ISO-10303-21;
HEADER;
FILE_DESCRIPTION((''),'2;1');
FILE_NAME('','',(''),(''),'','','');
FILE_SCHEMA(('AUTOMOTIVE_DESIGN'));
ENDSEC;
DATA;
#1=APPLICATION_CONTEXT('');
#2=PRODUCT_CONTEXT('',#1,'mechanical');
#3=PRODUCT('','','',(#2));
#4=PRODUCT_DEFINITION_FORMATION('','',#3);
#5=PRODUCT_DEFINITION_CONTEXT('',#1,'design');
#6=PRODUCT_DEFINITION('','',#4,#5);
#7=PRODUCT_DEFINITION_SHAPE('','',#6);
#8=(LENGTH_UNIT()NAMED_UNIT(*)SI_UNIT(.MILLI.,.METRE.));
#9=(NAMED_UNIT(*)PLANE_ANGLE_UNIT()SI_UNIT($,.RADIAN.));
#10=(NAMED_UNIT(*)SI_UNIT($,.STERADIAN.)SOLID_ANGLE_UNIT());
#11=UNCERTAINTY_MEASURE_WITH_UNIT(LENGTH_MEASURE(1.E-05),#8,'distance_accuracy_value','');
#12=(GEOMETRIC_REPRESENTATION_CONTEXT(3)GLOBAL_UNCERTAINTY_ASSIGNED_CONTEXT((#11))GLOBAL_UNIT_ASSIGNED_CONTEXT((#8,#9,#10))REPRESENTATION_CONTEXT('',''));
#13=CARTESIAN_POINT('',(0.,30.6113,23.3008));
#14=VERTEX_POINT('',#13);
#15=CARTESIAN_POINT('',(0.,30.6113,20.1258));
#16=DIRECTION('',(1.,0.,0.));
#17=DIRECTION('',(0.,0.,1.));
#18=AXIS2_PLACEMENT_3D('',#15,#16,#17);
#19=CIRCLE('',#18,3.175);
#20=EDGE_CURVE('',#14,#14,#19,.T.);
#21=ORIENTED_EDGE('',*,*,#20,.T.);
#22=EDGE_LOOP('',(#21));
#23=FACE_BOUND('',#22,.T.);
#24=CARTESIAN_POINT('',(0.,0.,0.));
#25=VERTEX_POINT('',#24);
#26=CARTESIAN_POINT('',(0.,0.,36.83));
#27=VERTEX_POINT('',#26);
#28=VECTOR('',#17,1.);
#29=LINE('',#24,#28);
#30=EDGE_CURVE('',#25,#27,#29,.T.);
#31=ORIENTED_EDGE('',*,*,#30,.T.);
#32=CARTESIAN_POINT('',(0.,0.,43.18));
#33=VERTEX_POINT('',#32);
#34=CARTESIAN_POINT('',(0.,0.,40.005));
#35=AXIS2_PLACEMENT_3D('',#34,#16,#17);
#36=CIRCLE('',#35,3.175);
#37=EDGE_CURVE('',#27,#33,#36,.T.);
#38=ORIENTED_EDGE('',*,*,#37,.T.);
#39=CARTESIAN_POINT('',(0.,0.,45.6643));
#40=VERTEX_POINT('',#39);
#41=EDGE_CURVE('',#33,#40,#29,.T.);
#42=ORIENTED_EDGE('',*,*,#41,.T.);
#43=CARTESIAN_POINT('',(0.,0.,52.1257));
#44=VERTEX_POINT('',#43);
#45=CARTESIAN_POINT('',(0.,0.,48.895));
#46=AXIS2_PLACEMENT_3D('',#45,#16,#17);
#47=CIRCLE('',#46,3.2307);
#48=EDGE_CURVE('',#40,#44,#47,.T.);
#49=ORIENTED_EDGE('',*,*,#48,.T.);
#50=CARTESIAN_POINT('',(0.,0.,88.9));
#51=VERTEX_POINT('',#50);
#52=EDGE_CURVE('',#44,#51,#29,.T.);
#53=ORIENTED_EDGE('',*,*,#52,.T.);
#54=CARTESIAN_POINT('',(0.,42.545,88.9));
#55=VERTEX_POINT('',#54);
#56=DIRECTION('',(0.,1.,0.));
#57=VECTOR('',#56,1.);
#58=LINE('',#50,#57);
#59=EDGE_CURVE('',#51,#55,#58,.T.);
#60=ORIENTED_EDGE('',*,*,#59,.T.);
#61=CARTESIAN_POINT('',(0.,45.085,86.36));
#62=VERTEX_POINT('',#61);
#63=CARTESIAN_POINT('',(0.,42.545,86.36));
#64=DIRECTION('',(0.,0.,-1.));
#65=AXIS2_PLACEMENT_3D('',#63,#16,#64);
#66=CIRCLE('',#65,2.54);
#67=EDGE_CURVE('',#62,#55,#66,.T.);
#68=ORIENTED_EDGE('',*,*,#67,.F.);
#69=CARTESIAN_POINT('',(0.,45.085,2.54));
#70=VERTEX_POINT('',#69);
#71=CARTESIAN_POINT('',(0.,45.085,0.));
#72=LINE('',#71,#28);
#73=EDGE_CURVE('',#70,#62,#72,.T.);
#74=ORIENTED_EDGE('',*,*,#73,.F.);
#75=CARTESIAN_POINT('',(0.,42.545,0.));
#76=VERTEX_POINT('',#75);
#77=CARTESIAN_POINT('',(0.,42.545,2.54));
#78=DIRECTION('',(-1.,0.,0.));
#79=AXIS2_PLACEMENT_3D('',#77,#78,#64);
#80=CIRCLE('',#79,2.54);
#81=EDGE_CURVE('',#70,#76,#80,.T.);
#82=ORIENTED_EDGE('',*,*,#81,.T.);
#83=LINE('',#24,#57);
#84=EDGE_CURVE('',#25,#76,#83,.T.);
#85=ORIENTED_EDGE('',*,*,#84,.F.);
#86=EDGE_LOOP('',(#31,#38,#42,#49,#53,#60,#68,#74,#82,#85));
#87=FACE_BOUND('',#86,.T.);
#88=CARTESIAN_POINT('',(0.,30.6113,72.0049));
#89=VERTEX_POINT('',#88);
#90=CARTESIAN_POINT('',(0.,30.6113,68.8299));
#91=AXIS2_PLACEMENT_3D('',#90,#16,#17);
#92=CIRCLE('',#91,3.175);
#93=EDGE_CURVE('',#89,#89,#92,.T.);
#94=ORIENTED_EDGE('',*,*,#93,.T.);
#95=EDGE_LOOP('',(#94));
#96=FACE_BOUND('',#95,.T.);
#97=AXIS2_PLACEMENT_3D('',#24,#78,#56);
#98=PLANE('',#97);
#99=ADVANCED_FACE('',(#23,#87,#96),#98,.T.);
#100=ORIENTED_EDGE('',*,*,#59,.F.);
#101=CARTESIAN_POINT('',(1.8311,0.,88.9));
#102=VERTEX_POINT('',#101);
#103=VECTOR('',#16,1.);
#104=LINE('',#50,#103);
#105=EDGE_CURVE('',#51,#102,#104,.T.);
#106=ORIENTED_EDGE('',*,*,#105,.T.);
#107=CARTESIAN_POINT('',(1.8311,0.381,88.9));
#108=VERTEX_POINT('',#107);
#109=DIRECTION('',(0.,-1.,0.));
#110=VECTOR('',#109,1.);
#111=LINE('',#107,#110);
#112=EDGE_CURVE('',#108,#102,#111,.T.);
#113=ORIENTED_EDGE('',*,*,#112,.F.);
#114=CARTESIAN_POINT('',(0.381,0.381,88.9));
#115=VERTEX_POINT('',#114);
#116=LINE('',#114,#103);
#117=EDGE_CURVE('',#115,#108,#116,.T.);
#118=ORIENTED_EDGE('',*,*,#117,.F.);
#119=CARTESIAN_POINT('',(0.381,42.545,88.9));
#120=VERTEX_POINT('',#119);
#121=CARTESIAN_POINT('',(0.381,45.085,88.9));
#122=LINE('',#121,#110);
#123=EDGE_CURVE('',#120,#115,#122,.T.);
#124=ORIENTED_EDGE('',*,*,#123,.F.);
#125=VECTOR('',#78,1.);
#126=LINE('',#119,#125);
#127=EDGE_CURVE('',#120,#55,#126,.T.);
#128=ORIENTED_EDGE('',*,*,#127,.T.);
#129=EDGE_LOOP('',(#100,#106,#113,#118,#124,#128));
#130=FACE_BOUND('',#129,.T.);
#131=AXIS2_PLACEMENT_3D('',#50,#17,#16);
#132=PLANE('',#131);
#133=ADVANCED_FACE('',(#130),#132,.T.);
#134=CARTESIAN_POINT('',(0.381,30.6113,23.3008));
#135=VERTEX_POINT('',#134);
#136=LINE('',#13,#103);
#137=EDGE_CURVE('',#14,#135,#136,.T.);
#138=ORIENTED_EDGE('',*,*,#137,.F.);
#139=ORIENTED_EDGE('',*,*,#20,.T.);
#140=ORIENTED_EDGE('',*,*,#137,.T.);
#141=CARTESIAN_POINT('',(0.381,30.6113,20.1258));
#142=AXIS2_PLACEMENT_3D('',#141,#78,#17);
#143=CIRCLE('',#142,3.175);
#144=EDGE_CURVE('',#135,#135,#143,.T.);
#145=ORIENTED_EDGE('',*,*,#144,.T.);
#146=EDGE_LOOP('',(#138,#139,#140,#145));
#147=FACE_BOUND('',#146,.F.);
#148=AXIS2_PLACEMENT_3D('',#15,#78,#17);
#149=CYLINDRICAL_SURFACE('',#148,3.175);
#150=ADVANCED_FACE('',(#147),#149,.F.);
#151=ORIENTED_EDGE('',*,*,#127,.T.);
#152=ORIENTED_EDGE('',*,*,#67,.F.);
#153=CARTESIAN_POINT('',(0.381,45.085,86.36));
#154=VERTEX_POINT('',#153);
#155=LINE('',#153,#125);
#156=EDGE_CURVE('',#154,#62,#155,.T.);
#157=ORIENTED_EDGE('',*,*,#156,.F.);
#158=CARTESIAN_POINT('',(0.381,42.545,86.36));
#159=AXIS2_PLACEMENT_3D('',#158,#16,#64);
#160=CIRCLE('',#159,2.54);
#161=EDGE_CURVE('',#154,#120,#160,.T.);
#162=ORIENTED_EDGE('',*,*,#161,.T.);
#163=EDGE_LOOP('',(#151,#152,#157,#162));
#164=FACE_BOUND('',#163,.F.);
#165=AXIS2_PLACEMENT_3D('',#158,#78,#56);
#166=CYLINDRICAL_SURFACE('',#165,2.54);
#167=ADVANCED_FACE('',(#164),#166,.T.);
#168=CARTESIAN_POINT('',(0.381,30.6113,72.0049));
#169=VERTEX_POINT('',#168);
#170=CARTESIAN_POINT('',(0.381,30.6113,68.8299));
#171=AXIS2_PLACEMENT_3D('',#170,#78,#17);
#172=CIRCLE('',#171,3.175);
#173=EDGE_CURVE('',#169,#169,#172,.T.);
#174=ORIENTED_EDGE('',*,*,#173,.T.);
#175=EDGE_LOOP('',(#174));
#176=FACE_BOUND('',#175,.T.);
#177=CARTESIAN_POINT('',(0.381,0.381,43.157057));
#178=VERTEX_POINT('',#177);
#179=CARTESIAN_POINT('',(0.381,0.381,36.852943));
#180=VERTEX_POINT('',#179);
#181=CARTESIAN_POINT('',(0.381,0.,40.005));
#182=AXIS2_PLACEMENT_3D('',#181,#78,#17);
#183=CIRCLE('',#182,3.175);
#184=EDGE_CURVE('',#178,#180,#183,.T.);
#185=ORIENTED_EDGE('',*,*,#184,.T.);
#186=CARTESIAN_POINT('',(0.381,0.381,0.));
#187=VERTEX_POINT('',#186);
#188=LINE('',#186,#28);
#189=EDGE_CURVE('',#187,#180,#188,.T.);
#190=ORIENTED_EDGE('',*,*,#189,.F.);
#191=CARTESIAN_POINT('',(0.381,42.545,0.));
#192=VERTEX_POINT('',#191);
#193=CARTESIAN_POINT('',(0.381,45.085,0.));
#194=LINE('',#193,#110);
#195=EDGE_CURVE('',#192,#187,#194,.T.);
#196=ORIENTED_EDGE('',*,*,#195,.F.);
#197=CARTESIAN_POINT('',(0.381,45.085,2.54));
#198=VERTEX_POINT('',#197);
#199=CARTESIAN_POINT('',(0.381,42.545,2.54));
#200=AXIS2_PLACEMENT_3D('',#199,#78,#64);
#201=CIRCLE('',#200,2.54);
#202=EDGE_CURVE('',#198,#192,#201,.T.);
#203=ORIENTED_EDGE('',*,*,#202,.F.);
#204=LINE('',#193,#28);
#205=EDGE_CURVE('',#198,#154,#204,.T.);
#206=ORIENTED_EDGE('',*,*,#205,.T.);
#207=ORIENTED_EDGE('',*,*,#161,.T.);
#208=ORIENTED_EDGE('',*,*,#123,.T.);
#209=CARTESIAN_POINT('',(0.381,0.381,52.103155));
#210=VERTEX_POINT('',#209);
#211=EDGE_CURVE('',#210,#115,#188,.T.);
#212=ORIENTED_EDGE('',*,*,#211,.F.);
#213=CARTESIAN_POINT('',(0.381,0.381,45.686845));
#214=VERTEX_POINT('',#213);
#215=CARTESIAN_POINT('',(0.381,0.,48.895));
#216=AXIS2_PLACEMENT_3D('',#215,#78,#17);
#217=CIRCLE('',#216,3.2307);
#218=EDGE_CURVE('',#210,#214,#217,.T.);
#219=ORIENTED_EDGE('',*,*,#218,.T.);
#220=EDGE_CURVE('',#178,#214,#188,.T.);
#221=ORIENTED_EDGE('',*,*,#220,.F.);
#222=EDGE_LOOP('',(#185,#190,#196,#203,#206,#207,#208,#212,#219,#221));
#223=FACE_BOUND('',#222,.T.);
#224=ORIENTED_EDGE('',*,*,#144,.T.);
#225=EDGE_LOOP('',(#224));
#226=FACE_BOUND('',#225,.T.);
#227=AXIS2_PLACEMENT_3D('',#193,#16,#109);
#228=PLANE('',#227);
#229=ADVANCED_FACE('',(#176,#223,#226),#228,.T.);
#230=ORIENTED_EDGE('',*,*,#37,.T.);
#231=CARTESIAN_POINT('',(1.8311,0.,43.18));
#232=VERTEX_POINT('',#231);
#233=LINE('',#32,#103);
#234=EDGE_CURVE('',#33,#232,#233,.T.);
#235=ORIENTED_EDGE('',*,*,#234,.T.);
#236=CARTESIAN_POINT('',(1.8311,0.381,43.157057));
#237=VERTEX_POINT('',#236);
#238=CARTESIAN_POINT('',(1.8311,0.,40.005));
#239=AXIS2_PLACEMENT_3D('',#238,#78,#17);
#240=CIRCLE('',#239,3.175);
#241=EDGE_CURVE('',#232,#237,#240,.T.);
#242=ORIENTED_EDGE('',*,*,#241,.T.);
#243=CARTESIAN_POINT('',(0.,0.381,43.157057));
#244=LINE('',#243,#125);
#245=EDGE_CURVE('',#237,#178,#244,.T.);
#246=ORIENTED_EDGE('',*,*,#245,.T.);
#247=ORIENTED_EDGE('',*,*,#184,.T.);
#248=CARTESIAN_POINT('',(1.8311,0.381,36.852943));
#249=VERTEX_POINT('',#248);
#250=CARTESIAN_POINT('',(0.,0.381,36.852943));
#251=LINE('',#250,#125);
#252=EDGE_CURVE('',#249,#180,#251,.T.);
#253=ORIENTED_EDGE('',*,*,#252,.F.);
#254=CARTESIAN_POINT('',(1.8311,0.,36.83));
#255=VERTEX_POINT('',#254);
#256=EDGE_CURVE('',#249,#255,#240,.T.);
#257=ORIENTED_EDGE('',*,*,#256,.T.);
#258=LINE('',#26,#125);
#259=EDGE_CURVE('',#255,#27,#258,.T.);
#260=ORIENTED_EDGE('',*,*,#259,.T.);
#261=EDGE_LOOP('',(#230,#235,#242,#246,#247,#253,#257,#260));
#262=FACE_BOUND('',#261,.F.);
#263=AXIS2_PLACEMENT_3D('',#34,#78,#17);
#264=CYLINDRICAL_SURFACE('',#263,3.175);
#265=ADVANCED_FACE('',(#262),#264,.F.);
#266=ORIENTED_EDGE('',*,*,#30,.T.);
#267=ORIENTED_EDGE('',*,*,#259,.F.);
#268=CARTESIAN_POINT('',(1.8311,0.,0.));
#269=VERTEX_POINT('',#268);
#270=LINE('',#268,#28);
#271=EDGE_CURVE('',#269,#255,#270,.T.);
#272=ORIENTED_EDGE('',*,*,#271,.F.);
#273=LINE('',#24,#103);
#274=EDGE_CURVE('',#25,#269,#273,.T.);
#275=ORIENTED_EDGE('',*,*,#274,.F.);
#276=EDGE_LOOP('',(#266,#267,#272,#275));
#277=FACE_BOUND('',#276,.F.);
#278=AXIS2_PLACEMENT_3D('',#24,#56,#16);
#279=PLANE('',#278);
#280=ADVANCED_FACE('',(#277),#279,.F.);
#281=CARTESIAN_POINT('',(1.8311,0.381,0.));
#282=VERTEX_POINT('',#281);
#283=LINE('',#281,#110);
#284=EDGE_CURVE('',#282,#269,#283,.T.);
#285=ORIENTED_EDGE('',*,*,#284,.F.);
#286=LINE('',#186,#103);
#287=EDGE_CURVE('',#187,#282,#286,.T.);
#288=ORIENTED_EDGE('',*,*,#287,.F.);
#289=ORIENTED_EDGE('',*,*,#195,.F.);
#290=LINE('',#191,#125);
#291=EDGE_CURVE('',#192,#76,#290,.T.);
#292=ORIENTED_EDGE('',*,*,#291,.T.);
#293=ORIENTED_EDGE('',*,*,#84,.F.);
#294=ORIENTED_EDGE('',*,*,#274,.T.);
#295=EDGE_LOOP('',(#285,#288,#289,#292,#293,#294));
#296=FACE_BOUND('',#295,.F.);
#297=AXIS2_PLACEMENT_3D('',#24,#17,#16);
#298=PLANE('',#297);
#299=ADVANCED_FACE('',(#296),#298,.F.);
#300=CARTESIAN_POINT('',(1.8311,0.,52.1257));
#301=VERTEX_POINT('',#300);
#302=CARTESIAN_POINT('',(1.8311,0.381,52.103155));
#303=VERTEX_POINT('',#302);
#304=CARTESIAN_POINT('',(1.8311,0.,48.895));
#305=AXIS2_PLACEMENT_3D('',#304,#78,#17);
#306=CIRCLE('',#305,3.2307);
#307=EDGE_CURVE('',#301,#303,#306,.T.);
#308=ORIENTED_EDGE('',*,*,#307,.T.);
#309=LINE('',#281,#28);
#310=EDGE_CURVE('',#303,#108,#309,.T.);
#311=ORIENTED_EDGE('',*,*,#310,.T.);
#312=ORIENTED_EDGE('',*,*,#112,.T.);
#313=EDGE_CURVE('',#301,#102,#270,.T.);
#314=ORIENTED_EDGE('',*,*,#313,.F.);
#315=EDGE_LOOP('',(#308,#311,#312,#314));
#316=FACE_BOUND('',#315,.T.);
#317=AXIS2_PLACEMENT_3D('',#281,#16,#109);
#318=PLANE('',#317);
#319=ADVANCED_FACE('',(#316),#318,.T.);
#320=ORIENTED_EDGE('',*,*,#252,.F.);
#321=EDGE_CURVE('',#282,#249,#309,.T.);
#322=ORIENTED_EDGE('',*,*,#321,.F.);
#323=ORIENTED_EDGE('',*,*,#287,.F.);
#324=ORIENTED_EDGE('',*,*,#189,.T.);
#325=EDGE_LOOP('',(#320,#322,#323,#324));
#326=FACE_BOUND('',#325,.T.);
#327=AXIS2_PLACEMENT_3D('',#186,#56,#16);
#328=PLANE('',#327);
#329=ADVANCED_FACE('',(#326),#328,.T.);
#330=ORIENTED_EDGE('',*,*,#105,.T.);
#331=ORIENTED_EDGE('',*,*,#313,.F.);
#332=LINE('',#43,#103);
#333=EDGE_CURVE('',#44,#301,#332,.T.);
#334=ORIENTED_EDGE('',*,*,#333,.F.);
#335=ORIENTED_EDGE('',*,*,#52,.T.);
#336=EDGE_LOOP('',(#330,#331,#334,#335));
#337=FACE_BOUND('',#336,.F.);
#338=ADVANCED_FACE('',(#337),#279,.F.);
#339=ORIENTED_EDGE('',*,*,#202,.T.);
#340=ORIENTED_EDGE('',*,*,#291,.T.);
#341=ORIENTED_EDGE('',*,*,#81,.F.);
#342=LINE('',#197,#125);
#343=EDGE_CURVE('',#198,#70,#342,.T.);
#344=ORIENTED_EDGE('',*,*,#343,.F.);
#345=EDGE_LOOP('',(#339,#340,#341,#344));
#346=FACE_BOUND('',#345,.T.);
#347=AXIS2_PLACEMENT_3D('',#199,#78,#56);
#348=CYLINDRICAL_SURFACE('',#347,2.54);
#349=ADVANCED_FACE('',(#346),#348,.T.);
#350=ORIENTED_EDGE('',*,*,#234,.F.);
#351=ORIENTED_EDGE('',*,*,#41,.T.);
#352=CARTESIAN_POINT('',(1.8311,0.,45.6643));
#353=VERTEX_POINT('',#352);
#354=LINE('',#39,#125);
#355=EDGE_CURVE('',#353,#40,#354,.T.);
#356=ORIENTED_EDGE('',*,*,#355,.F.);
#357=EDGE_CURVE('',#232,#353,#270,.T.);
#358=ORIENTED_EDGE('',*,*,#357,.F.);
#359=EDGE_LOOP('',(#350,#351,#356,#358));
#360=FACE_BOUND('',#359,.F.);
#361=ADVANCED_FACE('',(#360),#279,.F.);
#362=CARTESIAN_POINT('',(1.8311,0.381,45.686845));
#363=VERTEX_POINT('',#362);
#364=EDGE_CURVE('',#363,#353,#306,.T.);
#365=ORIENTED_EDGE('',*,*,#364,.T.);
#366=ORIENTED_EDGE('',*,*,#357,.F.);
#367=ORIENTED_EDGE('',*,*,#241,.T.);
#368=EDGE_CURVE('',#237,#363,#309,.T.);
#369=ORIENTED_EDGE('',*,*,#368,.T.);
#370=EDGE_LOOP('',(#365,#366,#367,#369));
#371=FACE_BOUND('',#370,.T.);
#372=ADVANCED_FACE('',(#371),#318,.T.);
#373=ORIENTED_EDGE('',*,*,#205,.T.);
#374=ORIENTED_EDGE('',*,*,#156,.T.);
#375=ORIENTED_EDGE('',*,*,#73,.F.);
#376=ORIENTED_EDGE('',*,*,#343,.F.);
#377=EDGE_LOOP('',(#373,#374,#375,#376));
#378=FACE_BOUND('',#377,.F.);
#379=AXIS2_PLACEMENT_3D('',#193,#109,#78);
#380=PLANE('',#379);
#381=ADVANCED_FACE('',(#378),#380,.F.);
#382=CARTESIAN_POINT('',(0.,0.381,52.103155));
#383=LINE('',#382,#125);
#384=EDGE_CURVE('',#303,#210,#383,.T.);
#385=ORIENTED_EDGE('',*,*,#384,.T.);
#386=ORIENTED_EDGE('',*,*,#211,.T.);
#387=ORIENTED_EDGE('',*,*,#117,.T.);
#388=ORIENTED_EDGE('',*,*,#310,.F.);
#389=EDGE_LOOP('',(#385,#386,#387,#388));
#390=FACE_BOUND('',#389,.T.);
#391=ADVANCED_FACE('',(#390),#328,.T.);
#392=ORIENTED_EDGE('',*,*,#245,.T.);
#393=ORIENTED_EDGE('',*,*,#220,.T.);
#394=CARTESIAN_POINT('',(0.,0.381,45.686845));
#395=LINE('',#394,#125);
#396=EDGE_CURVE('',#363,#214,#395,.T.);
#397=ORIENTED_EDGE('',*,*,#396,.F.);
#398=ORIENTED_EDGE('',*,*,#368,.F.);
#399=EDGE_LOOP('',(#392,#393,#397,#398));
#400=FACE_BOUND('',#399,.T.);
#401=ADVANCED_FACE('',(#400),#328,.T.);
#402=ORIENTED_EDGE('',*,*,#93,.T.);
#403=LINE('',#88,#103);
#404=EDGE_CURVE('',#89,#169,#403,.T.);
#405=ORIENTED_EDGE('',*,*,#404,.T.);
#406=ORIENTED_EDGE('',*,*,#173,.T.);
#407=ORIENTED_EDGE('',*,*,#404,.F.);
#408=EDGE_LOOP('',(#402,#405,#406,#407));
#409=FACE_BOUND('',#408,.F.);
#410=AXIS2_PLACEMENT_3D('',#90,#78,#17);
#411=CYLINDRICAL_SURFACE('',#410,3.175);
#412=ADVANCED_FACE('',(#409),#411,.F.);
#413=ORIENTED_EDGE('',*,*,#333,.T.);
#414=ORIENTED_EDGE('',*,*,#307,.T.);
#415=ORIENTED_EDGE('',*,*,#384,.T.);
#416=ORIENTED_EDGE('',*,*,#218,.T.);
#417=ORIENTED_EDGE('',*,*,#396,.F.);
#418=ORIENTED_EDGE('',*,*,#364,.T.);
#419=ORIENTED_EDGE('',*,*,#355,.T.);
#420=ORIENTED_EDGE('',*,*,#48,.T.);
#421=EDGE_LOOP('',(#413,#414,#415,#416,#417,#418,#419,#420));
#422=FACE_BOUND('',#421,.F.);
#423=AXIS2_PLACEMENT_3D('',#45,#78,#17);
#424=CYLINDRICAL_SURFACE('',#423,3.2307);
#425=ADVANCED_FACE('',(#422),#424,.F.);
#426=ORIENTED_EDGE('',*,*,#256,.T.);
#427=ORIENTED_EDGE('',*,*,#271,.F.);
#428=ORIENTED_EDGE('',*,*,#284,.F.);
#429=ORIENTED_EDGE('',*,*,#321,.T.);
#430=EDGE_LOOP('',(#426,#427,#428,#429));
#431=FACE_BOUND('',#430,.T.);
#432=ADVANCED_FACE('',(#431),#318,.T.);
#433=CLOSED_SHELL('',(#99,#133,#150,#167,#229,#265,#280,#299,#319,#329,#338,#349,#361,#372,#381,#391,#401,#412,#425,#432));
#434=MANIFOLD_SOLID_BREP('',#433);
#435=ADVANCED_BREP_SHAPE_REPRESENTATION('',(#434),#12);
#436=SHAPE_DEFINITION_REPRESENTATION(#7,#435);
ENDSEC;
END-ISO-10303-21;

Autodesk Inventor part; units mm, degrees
ref_plane "YZ Plane" through (0, 0, 0) normal (1, 0, 0) x (0, 1, 0)
ref_plane "XZ Plane" through (0, 0, 0) normal (0, 1, 0) x (-1, 0, 0)
ref_plane "XY Plane" through (0, 0, 0) normal (0, 0, 1) x (1, 0, 0)
sketch "Sketch1" plane through (0, 0, 0) normal (0, 0, 1) x (1, 0, 0)
  line L0 (0, 0) -> (1.8311, 0)
  line L1 (0, 0) -> (0, 45.085)
  line L2 (0.381, 45.085) -> (0.381, 0.381)
  line L3 (0.381, 0.381) -> (1.8311, 0.381)
  line L4 (1.8311, 0.381) -> (1.8311, 0)
  line L5 (0.381, 45.085) -> (0, 45.085)
  dimension "d0" = 1.8311
  dimension "d1" = 45.085
  dimension "d2" = 0.381
extrude "Extrusion1" add sketch "Sketch1" along normal blind 88.9
fillet "Fillet1" radius 2.54 2 edges at (0.1905, 45.085, 88.9) (0.1905, 45.085, 0)
sketch "Sketch2" plane through (0, 0, 0) normal (-1, 0, 0) x (0, 0, 1)
  line L0 (0, 0) -> (88.9, 0) projected
  circle A0 centre (40.005, 0) radius 3.175
  circle A1 centre (48.895, 0) radius 3.2307
  dimension "d6" = 6.35
  dimension "d7" = 8.89
  dimension "d8" = 40.005
extrude "Extrusion2" cut sketch "Sketch2" against normal blind 88.9
sketch "Sketch3" plane through (0, 0, 0) normal (-1, 0, 0) x (0, 0, 1)
  circle A0 centre (20.1258, 30.6113) radius 3.175
  circle A1 centre (68.8299, 30.6113) radius 3.175
  line L0 (88.9, 42.545) -> (88.9, 0) projected
  line L1 (0, 42.545) -> (0, 0) projected
  line L2 (2.54, 45.085) -> (86.36, 45.085) projected
  line L3 (68.8299, 30.6113) -> (48.9507, 0)
  line L4 (48.9507, 0) -> (88.9, 0)
  line L5 (20.1258, 30.6113) -> (40.005, 0)
  line L6 (0, 0.381) -> (36.8529, 0.381) projected
  line L7 (40.005, 0) -> (0, 0)
  point P0 (52.1257, 0)
  point P1 (36.83, 0)
  dimension "d11" = 6.35
  dimension "d12" = 6.35
  dimension "d19" = 3.175
  dimension "d20" = 3.175
  dimension "d21" = 36.4998
  dimension "d22" = 45.085
  dimension "d23" = 45.085
  dimension "d24" = 36.4998
  dimension "d25" = 57
  dimension "d26" = 57
extrude "Extrusion3" cut sketch "Sketch3" against normal blind 88.9
properties part number "Fin_full" material "Aluminum 6061"
